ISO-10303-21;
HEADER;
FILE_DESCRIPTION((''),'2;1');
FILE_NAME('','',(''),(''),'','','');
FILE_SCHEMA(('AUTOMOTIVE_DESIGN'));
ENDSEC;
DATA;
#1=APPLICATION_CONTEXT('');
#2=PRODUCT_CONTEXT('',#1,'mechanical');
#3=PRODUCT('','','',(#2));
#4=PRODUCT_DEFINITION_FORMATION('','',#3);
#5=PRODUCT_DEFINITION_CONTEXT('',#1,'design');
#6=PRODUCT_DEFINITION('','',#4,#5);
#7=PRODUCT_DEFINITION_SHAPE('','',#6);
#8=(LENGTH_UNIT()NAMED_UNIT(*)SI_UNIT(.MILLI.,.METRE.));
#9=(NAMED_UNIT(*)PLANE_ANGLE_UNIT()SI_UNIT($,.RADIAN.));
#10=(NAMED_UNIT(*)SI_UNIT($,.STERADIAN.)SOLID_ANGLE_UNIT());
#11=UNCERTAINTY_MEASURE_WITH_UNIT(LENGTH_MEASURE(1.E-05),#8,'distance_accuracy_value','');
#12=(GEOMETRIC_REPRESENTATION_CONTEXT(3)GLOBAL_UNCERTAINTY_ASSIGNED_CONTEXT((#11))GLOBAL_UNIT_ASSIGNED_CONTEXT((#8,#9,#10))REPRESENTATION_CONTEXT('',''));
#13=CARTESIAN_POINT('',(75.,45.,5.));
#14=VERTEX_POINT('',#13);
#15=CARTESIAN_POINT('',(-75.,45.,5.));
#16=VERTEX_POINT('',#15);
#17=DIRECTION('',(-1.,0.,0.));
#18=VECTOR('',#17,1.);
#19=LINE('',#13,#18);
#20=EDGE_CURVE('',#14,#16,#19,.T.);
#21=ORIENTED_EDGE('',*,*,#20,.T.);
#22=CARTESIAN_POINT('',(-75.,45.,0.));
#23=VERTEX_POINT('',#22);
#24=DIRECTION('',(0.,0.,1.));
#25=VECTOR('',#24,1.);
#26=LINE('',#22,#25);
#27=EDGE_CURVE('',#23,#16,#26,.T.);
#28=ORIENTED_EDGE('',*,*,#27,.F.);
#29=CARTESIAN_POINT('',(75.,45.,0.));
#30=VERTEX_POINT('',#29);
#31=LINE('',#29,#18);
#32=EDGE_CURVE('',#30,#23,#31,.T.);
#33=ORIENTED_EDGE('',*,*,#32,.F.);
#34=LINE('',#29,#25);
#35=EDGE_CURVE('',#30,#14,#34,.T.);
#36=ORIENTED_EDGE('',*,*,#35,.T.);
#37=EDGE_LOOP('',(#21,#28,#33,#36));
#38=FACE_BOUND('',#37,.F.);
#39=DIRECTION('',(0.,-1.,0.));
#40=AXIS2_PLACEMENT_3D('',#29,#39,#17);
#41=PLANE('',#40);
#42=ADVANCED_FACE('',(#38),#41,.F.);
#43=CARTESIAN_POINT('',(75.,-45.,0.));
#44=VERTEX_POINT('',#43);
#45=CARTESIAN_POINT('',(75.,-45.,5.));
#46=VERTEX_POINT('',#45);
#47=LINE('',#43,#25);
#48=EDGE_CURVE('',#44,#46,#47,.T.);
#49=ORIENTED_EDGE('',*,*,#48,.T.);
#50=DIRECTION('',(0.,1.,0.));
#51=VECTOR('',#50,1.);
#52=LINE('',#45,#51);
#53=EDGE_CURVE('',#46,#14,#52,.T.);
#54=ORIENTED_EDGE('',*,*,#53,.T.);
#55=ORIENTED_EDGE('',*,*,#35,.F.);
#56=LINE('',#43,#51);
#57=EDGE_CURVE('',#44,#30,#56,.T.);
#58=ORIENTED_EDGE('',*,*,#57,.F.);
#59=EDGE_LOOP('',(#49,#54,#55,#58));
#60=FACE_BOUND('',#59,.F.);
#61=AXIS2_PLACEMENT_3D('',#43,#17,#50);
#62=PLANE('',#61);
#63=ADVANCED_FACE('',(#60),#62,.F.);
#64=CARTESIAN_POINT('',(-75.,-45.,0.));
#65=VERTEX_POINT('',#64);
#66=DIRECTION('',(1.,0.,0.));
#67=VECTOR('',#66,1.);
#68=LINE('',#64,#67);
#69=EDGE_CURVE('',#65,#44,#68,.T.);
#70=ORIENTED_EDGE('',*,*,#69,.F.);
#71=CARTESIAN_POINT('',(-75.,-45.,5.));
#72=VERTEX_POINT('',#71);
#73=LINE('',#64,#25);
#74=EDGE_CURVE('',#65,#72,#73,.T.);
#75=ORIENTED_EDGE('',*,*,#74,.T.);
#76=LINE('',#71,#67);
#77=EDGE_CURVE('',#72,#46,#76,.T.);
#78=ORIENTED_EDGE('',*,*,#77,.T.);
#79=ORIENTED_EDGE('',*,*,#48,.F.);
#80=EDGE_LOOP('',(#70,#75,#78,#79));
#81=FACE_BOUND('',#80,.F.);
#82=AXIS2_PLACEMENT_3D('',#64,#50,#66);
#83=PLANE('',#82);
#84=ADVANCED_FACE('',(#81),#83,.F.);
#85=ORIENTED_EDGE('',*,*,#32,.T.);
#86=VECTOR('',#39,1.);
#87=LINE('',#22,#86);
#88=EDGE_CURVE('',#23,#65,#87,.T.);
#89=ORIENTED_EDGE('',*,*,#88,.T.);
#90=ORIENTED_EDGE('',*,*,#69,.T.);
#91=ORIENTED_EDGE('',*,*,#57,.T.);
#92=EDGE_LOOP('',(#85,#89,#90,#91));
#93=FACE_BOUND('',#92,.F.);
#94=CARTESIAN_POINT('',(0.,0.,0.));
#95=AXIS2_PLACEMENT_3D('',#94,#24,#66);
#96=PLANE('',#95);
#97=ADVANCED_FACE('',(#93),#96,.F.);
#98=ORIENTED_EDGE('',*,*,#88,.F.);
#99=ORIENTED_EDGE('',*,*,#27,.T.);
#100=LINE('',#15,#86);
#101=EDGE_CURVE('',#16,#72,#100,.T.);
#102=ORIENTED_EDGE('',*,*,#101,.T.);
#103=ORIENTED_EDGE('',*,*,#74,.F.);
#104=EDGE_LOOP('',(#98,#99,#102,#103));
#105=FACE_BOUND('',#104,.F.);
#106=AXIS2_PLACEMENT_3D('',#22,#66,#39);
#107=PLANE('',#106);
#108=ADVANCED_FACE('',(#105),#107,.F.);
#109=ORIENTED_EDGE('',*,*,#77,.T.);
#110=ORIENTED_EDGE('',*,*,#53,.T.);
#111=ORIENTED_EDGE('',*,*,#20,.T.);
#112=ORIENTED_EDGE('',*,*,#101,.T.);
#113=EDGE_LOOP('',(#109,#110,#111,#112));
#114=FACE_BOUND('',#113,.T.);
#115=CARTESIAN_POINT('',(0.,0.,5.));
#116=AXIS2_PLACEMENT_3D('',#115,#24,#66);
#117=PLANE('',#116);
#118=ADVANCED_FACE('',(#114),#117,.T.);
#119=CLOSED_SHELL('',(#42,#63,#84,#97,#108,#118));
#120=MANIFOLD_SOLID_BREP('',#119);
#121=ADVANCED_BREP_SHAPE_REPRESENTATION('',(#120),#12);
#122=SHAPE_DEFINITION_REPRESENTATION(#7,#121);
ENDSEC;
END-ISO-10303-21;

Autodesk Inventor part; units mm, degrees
ref_plane "YZ Plane" through (0, 0, 0) normal (1, 0, 0) x (0, 1, 0)
ref_plane "XZ Plane" through (0, 0, 0) normal (0, 1, 0) x (-1, 0, 0)
ref_plane "XY Plane" through (0, 0, 0) normal (0, 0, 1) x (1, 0, 0)
sketch "Sketch1" plane through (0, 0, 0) normal (0, 0, 1) x (1, 0, 0)
  line L0 (-75, -45) -> (75, -45)
  line L1 (75, -45) -> (75, 45)
  line L2 (75, 45) -> (-75, 45)
  line L3 (-75, 45) -> (-75, -45)
  line L4 (-75, -45) -> (75, 45) construction
  line L5 (75, -45) -> (-75, 45) construction
  point P0 (0, 0)
  dimension "d0" = 150
  dimension "d1" = 90
extrude "Extrusion1" add sketch "Sketch1" along normal blind 5
properties part number "stand_plate3" material "Plywood, Finish"
